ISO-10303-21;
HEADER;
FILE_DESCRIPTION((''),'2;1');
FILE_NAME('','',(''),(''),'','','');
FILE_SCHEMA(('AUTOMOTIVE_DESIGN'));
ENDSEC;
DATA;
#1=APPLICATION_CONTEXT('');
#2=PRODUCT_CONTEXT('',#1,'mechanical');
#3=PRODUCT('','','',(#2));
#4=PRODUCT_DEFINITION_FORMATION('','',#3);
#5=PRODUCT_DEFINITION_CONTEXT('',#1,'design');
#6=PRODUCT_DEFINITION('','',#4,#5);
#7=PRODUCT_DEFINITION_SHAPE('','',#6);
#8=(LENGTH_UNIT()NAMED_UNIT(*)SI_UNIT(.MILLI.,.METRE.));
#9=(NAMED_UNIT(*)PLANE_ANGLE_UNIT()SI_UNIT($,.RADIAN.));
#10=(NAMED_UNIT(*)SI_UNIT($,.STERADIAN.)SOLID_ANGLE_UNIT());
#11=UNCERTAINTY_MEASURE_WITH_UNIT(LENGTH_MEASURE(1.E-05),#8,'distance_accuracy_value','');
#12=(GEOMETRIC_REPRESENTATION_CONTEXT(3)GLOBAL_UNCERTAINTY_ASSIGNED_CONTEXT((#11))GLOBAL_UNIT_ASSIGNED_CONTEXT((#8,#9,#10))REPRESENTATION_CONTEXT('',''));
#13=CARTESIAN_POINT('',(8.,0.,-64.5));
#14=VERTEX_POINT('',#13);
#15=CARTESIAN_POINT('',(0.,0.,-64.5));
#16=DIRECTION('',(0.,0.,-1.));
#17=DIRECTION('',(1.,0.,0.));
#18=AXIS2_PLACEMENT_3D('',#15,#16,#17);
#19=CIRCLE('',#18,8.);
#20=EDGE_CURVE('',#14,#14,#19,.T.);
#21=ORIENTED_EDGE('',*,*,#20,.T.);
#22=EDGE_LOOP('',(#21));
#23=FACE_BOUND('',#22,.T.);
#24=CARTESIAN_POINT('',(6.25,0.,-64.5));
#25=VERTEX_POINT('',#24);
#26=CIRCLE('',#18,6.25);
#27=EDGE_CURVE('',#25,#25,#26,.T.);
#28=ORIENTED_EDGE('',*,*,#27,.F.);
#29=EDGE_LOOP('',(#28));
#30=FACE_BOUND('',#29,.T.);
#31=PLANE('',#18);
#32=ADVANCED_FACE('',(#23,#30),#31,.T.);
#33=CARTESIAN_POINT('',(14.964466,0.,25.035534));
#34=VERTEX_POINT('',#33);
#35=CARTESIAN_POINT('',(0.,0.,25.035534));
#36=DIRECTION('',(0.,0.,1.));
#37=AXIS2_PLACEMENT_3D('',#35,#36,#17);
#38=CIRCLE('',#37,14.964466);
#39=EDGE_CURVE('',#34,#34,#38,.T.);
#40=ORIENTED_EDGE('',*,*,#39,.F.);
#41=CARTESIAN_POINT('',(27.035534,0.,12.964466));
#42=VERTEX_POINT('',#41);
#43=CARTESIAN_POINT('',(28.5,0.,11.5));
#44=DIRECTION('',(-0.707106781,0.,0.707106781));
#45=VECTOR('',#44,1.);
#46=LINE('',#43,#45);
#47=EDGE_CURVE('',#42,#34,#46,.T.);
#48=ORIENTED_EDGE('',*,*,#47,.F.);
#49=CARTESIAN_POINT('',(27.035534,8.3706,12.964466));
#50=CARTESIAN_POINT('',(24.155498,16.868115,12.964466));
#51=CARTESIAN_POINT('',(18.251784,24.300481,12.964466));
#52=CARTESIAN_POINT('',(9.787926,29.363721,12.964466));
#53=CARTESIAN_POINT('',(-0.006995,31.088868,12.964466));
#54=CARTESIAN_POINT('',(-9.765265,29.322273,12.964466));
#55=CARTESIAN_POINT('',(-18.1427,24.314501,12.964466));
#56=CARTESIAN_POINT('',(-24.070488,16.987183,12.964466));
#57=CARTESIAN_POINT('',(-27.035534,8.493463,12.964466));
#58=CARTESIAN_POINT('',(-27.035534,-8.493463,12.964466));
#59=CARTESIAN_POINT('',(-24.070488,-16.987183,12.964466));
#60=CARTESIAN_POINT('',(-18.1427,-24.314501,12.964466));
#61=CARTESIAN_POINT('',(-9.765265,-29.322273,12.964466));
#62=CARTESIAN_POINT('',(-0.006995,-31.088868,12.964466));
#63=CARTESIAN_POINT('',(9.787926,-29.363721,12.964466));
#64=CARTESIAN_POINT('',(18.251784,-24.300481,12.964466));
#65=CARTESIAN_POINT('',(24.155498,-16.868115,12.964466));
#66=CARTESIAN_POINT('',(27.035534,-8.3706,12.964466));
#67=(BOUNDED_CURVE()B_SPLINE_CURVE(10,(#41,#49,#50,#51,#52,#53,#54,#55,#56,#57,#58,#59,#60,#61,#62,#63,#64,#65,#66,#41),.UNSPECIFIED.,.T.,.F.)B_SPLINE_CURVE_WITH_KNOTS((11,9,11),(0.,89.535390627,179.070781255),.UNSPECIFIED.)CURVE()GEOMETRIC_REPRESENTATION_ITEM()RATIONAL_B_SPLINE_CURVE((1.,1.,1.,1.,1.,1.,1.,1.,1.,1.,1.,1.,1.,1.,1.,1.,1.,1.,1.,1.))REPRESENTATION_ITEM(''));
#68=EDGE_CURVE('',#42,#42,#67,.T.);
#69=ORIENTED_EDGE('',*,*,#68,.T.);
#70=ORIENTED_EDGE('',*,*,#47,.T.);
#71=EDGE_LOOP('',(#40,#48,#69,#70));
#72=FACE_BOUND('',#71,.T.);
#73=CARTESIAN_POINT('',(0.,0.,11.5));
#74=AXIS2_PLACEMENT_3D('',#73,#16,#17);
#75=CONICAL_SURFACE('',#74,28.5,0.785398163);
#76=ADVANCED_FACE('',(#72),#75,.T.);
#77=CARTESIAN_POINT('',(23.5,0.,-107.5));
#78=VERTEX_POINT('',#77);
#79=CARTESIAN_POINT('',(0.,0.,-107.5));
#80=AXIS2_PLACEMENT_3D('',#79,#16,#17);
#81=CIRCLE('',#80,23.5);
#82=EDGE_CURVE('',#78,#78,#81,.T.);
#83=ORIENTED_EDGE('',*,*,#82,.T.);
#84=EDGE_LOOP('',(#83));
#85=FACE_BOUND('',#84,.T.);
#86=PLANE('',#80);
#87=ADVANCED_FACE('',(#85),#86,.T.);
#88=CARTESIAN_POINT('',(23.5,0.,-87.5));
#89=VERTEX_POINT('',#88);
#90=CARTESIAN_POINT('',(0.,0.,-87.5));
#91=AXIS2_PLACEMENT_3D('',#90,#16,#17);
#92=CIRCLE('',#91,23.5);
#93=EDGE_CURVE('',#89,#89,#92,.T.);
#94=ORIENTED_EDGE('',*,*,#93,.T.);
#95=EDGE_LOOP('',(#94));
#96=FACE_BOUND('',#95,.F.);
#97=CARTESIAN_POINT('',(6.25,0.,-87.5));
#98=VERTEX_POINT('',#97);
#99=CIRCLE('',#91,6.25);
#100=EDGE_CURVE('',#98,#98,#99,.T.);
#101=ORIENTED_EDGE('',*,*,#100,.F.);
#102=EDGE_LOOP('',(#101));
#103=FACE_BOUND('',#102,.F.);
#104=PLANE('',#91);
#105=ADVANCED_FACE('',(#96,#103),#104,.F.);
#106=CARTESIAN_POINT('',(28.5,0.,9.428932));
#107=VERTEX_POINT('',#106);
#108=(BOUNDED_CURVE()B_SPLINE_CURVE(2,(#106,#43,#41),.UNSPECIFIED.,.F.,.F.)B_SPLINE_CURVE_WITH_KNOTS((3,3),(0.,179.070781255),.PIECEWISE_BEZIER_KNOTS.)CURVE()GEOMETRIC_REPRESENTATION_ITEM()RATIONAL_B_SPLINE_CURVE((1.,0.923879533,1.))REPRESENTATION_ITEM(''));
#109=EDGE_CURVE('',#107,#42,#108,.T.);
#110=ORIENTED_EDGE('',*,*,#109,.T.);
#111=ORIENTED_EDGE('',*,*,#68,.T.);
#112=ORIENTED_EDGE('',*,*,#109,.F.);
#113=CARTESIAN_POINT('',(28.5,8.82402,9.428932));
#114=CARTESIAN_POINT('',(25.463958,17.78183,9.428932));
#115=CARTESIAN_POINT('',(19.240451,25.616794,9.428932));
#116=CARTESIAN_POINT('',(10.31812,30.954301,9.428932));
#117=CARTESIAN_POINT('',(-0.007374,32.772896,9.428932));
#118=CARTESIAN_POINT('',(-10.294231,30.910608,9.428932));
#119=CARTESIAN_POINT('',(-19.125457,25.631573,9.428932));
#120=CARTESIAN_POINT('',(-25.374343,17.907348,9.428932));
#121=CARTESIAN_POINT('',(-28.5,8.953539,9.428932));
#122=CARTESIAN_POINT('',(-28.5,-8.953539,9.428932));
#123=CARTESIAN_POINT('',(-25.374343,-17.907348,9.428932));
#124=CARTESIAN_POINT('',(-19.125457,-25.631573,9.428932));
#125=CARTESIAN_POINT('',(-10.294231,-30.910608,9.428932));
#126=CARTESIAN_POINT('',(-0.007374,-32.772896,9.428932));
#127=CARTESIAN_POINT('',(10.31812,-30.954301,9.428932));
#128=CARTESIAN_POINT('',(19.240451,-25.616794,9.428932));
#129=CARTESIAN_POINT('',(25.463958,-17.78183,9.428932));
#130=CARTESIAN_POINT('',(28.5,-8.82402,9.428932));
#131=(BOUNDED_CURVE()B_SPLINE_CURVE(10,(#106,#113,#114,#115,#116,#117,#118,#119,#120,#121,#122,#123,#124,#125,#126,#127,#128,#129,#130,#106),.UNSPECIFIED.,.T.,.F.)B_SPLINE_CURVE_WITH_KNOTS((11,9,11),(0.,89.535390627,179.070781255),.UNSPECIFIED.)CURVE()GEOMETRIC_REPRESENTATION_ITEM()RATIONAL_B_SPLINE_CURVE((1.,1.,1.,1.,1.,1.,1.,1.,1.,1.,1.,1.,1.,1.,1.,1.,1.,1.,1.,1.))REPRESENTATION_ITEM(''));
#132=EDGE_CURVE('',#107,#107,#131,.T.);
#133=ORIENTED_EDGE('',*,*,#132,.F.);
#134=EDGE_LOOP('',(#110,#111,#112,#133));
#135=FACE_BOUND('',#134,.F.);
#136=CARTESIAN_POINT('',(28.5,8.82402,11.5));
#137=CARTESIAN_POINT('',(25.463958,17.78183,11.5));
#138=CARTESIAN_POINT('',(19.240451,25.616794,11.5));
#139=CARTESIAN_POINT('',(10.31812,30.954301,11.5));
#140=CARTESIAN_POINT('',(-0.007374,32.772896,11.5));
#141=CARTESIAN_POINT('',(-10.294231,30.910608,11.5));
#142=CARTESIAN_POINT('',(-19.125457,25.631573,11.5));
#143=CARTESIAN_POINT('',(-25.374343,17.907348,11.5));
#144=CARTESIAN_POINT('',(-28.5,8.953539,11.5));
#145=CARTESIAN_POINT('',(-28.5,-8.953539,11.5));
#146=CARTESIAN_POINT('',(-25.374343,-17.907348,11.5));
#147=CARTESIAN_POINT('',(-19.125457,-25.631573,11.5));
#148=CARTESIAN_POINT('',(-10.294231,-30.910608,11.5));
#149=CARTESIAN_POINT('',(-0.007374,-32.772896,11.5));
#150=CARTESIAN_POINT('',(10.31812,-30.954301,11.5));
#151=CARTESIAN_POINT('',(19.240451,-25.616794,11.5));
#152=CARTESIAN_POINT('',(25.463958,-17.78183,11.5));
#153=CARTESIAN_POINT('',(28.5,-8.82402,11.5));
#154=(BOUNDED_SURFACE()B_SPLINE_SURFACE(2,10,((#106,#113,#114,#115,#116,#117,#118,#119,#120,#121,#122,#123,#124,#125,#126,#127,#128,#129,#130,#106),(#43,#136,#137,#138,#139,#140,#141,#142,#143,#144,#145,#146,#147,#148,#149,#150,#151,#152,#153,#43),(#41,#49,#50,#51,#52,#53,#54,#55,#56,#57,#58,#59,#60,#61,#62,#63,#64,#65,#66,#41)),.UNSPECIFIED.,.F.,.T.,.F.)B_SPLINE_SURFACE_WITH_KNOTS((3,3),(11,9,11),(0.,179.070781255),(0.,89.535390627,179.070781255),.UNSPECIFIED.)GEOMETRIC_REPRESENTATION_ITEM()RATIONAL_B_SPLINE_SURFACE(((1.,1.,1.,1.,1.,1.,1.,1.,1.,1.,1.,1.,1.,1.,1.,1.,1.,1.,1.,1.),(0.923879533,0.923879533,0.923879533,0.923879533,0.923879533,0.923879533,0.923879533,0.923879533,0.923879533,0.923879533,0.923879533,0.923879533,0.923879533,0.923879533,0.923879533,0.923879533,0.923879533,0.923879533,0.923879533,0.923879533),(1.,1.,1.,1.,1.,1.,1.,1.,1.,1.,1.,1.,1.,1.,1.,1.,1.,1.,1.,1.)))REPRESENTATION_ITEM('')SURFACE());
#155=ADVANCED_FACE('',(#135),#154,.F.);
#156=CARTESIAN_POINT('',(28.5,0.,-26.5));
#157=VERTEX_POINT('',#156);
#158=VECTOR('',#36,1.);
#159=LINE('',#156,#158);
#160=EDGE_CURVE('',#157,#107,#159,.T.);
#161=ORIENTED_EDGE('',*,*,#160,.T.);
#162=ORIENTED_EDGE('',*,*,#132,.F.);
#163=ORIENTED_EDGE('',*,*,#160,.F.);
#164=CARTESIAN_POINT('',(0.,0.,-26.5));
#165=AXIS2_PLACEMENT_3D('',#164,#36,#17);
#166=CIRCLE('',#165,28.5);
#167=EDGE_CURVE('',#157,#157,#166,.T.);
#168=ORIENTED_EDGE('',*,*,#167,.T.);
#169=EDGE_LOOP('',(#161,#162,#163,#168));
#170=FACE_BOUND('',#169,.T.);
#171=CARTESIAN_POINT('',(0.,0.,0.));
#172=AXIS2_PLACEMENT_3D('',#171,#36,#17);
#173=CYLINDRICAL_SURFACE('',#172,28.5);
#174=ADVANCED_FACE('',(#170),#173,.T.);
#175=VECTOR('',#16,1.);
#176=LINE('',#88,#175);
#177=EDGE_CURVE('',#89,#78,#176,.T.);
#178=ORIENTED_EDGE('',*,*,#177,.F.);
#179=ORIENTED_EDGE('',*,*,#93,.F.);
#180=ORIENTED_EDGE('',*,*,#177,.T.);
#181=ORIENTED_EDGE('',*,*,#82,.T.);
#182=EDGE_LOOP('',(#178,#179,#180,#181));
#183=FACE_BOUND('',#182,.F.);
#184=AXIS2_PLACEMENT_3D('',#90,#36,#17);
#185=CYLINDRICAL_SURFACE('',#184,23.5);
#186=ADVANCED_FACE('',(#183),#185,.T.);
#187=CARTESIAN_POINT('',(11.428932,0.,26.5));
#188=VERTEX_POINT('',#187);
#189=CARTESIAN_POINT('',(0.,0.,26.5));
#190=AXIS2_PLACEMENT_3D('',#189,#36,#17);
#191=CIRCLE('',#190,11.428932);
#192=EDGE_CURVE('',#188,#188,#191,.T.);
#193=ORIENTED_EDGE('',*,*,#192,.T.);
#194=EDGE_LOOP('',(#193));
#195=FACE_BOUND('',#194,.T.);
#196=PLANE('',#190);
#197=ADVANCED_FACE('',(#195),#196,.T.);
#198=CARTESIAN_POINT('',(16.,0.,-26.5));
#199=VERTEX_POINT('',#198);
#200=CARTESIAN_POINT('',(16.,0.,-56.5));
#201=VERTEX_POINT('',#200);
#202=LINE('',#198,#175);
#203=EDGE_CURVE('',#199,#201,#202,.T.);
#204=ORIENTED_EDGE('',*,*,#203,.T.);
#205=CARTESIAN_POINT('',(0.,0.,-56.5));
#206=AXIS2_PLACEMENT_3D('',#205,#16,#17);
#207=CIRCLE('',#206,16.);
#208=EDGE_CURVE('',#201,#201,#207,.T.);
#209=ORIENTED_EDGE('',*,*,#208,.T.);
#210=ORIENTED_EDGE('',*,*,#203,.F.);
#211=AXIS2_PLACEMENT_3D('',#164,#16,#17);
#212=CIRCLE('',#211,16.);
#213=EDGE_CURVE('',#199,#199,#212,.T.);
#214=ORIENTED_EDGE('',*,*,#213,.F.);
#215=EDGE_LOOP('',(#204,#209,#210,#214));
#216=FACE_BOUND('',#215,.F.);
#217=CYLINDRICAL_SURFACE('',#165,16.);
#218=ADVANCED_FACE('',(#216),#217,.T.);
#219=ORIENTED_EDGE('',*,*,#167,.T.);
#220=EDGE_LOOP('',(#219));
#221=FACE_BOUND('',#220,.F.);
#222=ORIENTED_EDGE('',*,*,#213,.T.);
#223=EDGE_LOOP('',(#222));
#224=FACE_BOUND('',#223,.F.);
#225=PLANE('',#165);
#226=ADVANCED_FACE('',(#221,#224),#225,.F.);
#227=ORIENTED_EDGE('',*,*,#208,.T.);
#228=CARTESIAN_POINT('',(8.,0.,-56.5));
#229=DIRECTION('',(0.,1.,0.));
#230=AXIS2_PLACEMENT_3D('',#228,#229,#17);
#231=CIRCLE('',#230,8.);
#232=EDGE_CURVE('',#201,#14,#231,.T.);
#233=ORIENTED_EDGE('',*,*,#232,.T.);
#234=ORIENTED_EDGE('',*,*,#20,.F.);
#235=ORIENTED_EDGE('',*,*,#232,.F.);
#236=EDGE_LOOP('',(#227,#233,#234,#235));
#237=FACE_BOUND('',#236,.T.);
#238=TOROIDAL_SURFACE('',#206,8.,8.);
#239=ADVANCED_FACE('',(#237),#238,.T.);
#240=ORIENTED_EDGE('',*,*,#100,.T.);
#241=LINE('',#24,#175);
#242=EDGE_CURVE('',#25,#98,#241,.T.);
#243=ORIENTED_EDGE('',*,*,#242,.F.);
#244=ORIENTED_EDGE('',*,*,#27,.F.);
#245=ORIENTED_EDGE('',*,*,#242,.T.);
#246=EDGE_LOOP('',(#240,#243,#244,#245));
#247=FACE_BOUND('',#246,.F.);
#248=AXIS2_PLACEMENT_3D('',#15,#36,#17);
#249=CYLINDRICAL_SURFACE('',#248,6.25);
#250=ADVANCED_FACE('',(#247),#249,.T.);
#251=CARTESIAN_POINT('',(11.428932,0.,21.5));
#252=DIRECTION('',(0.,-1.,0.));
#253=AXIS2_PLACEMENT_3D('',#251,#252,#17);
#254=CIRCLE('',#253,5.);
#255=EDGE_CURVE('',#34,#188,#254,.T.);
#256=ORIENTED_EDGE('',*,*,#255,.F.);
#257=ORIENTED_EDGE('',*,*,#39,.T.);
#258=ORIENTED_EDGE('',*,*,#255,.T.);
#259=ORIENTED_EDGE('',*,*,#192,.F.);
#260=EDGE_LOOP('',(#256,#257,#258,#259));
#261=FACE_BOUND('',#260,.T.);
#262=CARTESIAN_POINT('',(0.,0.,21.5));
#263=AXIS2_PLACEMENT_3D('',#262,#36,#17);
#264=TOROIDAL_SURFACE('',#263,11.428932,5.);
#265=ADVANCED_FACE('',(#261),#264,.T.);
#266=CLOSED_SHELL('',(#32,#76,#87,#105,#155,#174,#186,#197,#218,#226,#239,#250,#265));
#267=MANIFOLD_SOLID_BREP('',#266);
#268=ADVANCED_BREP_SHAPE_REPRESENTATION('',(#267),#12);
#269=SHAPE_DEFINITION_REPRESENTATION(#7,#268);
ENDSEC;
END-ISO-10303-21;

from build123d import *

# Parameters (mm, degrees)
F0_R      = 28.5
F1_DEPTH  = 26.5
F2_R      = 16
F3_DEPTH  = 38
F4_R      = 8
F5_SIZE   = 15
F6_R      = 5
F7_R      = 6.25
F8_DEPTH  = 23
F9_R      = 23.5
F10_DEPTH = 20


with BuildPart() as f1:
    # F0 (on Top) → F1 (new body, symmetric)
    with BuildSketch(Plane.XY):
        Circle(F0_R)
    extrude(amount=F1_DEPTH, both=True)

    # F2 (on face) → F3 (join)
    with BuildSketch(Plane(origin=(0, 0, -26.5), x_dir=(1, 0, 0), z_dir=(0, 0, -1))):
        Circle(F2_R)
    extrude(amount=F3_DEPTH)

    # F4
    f4_edges = [f1.edges().sort_by_distance(p)[0] for p in [
        (-16, 0, -64.5),
    ]]
    fillet(f4_edges, radius=F4_R)

    # F5
    f5_edges = [f1.edges().sort_by_distance(p)[0] for p in [
        (-28.5, 0, 26.5),
    ]]
    chamfer(f5_edges, length=F5_SIZE)

    # F6
    f6_edges = [f1.edges().sort_by_distance(p)[0] for p in [
        (-28.5, 0, 11.5),
        (-13.5, 0, 26.5),
    ]]
    fillet(f6_edges, radius=F6_R)

    # F7 (on face) → F8 (join)
    with BuildSketch(Plane(origin=(0, 0, -64.5), x_dir=(1, 0, 0), z_dir=(0, 0, -1))):
        Circle(F7_R)
    extrude(amount=F8_DEPTH)

    # F9 (on face) → F10 (join)
    with BuildSketch(Plane(origin=(0, 0, -87.5), x_dir=(1, 0, 0), z_dir=(0, 0, -1))):
        Circle(F9_R)
    extrude(amount=F10_DEPTH)


solid = f1.part
